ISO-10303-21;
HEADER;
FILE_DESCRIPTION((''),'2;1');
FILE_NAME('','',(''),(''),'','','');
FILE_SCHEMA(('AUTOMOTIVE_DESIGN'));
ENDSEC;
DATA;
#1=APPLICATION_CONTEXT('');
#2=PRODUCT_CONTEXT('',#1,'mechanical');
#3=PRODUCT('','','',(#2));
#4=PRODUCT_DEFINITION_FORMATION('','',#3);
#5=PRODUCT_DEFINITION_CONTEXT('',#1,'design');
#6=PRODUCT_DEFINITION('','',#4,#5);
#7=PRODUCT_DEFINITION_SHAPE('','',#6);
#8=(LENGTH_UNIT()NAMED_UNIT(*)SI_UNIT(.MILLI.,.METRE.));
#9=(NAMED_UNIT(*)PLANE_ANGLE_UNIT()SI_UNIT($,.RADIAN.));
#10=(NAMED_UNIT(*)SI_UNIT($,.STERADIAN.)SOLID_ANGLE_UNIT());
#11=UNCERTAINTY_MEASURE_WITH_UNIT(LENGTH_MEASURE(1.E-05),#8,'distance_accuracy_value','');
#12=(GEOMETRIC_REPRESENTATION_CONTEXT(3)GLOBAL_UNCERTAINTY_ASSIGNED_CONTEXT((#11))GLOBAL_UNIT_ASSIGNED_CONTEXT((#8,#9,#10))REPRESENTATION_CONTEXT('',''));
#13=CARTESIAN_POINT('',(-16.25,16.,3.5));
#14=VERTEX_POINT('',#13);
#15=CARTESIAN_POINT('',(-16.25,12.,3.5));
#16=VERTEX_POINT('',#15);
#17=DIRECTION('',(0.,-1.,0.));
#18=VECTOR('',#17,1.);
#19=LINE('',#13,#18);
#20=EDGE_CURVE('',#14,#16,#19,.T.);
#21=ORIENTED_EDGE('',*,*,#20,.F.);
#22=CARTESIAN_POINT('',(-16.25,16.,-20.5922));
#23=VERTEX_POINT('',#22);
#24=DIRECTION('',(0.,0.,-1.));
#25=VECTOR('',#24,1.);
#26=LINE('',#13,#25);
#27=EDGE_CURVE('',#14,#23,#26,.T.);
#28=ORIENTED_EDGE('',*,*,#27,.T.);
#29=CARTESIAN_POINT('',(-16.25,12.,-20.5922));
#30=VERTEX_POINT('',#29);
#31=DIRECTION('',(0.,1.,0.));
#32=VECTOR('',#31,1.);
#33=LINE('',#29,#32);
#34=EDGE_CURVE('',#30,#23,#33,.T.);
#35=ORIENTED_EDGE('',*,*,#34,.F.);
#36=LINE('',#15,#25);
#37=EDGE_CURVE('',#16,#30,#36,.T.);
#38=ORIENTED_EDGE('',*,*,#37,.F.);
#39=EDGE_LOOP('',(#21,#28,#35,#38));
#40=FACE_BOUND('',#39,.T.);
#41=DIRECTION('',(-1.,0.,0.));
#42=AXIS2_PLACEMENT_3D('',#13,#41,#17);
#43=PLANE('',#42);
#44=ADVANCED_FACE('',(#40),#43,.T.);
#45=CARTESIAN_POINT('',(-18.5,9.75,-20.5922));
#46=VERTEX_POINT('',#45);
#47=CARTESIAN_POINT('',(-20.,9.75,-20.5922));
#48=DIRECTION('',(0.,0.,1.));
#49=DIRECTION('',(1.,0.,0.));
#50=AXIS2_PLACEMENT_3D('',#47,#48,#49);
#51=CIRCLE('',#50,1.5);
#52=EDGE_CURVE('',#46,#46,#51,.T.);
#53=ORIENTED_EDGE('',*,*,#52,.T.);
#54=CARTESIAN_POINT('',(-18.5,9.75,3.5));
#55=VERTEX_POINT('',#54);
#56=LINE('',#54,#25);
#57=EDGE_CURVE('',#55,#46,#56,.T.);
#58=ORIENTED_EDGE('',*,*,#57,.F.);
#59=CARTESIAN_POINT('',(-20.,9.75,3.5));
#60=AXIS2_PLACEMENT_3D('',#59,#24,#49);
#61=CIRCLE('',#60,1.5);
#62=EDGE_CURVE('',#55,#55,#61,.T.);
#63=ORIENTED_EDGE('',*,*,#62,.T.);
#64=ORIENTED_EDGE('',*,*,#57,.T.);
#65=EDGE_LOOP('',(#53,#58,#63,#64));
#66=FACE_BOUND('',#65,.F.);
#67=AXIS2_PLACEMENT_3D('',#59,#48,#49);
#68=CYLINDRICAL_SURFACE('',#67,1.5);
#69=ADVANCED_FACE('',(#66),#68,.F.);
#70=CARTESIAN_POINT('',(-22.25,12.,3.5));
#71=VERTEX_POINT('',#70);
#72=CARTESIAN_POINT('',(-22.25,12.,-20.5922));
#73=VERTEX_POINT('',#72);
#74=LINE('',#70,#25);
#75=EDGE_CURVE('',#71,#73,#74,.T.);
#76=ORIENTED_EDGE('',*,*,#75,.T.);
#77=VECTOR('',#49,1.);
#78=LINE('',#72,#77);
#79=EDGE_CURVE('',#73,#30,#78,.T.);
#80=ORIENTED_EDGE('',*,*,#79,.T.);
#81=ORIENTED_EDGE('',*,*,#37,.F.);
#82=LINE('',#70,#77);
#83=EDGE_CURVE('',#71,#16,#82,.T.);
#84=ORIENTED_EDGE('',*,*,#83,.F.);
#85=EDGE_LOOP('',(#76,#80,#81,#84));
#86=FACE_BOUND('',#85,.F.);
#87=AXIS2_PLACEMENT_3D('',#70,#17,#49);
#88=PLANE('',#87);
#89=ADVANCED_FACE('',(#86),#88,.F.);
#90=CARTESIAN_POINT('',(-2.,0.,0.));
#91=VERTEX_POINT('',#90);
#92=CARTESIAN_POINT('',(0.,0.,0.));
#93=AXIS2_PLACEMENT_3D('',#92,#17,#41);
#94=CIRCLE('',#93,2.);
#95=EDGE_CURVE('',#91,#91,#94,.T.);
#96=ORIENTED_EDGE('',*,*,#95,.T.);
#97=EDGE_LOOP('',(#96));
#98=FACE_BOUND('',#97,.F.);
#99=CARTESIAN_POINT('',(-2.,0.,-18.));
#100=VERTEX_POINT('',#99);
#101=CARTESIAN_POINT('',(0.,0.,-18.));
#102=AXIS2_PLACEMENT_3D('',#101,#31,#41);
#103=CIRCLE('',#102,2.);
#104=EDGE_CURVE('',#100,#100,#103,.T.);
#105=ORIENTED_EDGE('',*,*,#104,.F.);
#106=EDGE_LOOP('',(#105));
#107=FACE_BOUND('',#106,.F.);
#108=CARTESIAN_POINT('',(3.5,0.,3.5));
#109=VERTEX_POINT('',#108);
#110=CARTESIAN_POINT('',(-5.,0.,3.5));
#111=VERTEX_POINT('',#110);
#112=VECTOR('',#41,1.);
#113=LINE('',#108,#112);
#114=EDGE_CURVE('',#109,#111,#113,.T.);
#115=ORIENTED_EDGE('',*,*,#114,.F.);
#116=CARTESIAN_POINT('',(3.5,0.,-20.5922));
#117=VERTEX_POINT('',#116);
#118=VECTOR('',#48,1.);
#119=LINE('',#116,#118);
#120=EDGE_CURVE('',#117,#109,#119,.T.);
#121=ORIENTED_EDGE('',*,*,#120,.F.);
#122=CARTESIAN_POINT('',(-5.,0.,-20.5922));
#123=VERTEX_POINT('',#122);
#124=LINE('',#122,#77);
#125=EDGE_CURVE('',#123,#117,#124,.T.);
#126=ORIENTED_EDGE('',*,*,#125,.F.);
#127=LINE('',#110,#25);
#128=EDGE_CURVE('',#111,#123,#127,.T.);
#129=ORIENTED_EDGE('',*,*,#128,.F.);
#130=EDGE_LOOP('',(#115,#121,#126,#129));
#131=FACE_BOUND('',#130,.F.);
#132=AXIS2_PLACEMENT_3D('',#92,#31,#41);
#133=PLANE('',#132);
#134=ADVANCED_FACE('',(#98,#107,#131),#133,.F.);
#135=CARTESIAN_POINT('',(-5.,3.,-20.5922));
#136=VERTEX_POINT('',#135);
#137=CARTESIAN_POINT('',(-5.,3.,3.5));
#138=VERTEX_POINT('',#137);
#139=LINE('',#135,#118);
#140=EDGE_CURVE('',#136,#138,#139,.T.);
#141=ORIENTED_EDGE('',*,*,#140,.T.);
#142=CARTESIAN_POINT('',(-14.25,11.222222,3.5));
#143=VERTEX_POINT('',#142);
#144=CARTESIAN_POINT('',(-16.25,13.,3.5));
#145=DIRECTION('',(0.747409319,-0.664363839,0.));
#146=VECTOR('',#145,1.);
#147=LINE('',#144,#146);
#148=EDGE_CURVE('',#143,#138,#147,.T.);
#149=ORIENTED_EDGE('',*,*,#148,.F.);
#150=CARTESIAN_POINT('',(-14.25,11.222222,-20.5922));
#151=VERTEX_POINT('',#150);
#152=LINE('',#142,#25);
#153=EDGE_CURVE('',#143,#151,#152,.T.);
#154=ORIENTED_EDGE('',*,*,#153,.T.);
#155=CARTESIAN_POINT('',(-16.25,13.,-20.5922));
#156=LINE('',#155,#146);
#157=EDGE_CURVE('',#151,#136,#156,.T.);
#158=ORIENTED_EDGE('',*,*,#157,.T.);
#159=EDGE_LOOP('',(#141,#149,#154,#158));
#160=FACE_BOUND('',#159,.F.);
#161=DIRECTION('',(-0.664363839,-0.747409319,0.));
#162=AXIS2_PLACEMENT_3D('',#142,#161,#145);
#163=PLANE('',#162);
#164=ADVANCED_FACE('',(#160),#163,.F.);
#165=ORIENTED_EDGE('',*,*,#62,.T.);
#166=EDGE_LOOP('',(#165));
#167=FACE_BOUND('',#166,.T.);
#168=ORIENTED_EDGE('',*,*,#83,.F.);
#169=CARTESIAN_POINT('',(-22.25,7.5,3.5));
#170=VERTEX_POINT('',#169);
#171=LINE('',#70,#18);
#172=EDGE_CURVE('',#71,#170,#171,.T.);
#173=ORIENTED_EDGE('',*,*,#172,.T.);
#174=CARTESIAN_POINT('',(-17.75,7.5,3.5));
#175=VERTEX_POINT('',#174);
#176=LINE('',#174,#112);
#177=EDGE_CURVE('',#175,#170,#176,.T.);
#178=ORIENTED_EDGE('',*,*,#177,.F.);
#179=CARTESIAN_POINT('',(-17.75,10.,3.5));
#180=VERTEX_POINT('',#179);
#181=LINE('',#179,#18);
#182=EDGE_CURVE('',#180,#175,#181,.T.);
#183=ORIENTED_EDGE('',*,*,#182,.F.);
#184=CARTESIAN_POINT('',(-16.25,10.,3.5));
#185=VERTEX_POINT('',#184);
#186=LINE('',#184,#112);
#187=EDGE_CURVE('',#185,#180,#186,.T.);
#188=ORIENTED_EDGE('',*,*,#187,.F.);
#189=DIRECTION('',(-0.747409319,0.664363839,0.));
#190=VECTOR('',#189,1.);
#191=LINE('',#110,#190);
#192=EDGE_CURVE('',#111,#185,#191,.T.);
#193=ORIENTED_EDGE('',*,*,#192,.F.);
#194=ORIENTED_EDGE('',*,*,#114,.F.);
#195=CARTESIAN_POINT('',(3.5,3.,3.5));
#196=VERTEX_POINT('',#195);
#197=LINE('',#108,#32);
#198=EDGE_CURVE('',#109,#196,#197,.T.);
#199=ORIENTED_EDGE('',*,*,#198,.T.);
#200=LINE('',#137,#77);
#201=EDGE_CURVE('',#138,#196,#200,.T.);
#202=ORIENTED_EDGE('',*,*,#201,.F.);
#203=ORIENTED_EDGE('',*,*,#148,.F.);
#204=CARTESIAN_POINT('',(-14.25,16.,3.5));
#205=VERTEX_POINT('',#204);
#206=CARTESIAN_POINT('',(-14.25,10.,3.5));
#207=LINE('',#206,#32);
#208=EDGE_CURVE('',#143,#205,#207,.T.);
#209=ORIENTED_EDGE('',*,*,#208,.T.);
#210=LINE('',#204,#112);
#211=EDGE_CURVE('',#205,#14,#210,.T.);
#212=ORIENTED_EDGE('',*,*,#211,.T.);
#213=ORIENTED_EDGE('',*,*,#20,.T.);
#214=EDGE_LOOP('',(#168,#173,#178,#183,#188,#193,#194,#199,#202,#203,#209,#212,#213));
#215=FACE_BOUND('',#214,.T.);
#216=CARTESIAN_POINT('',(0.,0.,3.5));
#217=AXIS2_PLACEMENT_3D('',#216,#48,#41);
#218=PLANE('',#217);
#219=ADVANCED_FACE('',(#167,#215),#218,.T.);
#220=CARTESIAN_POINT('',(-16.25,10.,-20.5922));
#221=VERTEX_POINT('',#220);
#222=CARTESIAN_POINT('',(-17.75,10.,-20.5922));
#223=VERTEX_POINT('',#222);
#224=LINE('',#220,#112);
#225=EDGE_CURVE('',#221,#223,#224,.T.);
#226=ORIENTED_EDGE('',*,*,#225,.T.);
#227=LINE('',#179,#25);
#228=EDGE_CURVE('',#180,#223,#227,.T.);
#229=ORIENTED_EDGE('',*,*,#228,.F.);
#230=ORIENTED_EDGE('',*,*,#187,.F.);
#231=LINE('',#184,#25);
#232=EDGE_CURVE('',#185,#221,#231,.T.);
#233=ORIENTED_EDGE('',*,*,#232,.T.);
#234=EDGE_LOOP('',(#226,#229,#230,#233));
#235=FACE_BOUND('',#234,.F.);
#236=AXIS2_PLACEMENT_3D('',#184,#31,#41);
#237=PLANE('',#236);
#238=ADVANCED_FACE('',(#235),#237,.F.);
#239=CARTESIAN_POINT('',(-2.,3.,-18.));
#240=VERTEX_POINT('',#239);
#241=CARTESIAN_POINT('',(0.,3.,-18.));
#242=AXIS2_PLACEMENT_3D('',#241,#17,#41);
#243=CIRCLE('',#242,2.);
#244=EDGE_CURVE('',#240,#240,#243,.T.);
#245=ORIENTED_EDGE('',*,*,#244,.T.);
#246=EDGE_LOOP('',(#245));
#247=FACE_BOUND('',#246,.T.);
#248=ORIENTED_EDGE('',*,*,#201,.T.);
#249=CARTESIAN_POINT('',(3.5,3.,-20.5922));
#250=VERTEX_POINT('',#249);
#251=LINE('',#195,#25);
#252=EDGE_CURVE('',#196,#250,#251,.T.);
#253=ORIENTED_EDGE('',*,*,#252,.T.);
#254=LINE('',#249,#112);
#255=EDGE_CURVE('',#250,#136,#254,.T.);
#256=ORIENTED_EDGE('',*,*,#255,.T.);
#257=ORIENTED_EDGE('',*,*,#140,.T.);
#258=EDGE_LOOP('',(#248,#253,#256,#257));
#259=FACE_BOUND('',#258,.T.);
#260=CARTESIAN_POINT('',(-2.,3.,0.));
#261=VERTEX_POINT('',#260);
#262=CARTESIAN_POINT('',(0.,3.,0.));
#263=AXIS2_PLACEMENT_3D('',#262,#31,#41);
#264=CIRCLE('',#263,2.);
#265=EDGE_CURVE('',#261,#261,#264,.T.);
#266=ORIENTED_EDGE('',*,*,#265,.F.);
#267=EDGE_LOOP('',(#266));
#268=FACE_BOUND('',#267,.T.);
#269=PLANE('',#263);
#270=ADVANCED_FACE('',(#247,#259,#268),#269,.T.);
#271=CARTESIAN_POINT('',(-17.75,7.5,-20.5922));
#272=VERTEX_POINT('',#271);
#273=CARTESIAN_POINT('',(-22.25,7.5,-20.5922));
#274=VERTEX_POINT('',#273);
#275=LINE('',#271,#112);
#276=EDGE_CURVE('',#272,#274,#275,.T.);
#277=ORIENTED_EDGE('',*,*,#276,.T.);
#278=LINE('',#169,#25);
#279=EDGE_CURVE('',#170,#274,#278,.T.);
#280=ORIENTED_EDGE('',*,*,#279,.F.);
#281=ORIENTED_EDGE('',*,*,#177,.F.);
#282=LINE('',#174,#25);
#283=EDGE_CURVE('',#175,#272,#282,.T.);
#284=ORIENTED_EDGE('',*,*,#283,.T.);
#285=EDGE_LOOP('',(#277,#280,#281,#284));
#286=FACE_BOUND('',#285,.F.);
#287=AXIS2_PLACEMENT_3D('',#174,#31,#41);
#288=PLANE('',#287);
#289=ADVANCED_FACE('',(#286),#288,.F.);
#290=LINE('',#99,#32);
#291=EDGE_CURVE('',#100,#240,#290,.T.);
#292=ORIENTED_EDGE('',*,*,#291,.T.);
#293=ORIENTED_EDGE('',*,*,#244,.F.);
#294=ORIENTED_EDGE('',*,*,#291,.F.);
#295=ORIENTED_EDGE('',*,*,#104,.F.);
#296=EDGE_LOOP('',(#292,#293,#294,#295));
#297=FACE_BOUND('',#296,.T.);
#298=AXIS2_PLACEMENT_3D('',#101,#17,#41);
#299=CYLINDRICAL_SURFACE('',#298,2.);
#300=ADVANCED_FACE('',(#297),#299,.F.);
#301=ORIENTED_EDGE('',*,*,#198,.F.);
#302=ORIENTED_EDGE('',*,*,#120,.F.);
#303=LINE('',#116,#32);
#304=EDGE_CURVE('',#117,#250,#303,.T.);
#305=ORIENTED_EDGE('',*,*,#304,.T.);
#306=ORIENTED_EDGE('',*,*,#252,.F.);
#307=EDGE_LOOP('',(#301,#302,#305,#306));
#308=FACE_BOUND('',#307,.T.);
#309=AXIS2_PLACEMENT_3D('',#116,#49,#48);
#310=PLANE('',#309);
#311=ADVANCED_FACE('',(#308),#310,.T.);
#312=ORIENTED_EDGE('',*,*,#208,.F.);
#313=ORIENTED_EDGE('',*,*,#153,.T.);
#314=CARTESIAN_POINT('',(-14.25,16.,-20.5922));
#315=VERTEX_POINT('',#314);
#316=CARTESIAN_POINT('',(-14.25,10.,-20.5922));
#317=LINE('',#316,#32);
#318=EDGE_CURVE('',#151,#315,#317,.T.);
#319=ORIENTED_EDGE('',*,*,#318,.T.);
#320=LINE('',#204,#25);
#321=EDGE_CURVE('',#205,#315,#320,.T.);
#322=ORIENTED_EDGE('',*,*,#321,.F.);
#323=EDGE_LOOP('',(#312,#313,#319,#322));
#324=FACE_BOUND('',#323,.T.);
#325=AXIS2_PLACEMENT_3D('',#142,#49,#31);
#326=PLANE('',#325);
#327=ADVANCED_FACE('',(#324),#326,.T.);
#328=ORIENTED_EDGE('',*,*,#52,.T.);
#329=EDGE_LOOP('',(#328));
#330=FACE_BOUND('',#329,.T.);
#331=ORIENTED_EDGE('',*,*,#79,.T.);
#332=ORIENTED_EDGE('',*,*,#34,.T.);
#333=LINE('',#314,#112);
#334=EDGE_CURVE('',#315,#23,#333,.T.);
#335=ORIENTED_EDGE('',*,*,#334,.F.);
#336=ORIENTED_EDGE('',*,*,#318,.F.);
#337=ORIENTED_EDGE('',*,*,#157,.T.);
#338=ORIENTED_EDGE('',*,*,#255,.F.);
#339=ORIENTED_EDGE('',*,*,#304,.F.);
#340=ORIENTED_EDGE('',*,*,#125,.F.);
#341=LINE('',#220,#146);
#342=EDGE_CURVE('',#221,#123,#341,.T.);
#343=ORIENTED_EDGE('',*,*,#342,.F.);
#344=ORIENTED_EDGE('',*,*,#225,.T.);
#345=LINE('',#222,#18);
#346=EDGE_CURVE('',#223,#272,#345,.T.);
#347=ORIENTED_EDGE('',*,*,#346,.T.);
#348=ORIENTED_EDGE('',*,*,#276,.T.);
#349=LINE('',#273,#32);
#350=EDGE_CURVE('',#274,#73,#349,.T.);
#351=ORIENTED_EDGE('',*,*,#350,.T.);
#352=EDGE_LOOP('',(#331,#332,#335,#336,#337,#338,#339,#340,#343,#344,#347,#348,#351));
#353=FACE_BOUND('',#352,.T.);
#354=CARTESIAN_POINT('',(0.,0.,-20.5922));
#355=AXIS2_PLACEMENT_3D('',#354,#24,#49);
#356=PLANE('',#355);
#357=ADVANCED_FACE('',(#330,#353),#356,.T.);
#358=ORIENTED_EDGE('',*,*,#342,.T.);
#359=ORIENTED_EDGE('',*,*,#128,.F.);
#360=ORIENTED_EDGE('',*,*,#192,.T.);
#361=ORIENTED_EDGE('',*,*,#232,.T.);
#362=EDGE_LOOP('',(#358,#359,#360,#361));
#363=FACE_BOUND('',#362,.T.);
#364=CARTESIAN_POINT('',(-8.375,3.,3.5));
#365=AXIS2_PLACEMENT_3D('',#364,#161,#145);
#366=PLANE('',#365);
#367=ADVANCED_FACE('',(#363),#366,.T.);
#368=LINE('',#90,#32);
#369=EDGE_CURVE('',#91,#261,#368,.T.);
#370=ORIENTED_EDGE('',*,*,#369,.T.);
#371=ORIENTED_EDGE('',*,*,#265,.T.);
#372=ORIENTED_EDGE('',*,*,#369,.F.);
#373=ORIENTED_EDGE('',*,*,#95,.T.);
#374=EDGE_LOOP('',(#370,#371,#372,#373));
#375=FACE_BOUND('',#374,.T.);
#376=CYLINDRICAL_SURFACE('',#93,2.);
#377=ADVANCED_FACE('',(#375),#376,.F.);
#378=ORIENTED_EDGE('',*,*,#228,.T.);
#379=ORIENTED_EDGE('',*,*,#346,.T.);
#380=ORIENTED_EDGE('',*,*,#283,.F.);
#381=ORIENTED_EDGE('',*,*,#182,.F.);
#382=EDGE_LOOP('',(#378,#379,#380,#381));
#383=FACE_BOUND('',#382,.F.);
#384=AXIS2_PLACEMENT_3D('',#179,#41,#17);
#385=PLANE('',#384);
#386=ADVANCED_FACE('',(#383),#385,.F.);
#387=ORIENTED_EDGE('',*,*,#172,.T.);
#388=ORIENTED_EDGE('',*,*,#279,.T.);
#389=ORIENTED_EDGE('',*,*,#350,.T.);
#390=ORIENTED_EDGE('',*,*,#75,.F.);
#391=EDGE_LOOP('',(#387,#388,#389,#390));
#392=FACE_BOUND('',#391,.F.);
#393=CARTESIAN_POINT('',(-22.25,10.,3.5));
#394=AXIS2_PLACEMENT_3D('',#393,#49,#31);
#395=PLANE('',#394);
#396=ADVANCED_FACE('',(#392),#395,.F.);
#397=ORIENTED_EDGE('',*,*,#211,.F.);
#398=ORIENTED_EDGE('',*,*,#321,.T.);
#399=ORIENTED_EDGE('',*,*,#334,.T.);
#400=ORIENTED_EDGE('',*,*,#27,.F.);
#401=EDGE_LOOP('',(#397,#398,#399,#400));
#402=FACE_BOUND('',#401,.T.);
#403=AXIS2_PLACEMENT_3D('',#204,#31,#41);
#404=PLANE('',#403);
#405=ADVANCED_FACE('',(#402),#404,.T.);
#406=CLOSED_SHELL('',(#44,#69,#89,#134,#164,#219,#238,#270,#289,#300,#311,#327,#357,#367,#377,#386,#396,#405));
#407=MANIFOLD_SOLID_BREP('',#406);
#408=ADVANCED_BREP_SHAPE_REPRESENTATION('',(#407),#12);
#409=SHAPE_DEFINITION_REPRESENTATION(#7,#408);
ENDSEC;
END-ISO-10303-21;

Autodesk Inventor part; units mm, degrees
ref_plane "YZ Plane" through (0, 0, 0) normal (1, 0, 0) x (0, 1, 0)
ref_plane "XZ Plane" through (0, 0, 0) normal (0, 1, 0) x (-1, 0, 0)
ref_plane "XY Plane" through (0, 0, 0) normal (0, 0, 1) x (1, 0, 0)
sketch "Sketch1" plane through (0, 0, 0) normal (0, 1, 0) x (-1, 0, 0)
  line L0 (0, 0) -> (0, -18)
  circle A0 centre (0, 0) radius 2
  circle A1 centre (0, -18) radius 2
  line L1 (0, -18) -> (5, -18)
  line L2 (5, -18) -> (5, -20.5922)
  line L3 (5, -20.5922) -> (0, -20.5922)
  line L4 (0, -20.5922) -> (0, -18)
  line L5 (0, 0) -> (-3.5, 0)
  line L6 (-3.5, 0) -> (-3.5, 3.5)
  line L7 (-3.5, 3.5) -> (0, 3.5)
  line L8 (0, 3.5) -> (0, 0)
  line L9 (-3.5, 3.5) -> (5, 3.5)
  line L10 (5, 3.5) -> (5, -20.5922)
  line L11 (5, -20.5922) -> (-3.5, -20.5922)
  line L12 (-3.5, -20.5922) -> (-3.5, 3.5)
  dimension "d0" = 18
  dimension "d1" = 4
  dimension "d2" = 4
  dimension "d3" = 5
  dimension "d4" = 3.5
  dimension "d5" = 3.5
extrude "Extrusion1" add sketch "Sketch1" along normal blind 3 contours A0 L8 L9 L10 L1 A1 L0 | L0 A1 L4 L11 L12 L5 A0 | L5 L6 L7 L8 A0 | L1 L2 L3 L4 A1
sketch "Sketch2" plane through (-5, 0, 3.5) normal (0, 0, 1) x (1, 0, 0)
  line L0 (0, 3) -> (4.25, 3)
  line L1 (0, 3) -> (8.5, 3) projected
  line L2 (4.25, 3) -> (-96.75, 3)
  line L3 (-46.25, 3) -> (-11.25, 3)
  line L4 (-11.25, 3) -> (-11.25, 13)
  line L5 (-11.25, 13) -> (0, 3)
  line L6 (-11.25, 13) -> (-11.25, 10)
  line L7 (0, 0) -> (0, 3) projected
  line L8 (-11.25, 10) -> (0, 0)
  line L9 (-11.25, 10) -> (-17.25, 10)
  line L10 (-17.25, 10) -> (-17.25, 12)
  line L11 (-17.25, 12) -> (-11.25, 12)
  line L12 (-11.25, 12) -> (-11.25, 10)
  line L13 (-11.25, 10) -> (-9.25, 10)
  line L14 (-9.25, 10) -> (-9.25, 16)
  line L15 (-9.25, 16) -> (-11.25, 16)
  line L16 (-11.25, 16) -> (-11.25, 10)
  line L17 (-17.25, 10) -> (-12.75, 10)
  line L18 (-12.75, 10) -> (-12.75, 7.5)
  line L19 (-12.75, 7.5) -> (-17.25, 7.5)
  line L20 (-17.25, 7.5) -> (-17.25, 10)
  line L21 (-15, 10) -> (-15, 9.75)
  circle A0 centre (-15, 9.75) radius 1.5
  point P0 (5, 0)
  point P1 (-11.25, 12)
  point P2 (-11.25, 13)
  point P3 (-9.25, 11.2222)
  dimension "d8" = 101
  dimension "d9" = 35
  dimension "d10" = 10
  dimension "d11" = 3
  dimension "d12" = 6
  dimension "d13" = 2
  dimension "d17" = 2
  dimension "d18" = 6
  dimension "d25" = 4.5
  dimension "d26" = 2.5
  dimension "d27" = 0.25
  dimension "d28" = 3
extrude "Extrusion2" add sketch "Sketch2" against normal up to surface (24.0922 mm away) contours L7 L8 L2 | L2 L8 L13 L14 L5 | L14 L13 L4 L5 | L5 L16 L15 L14 | L9 A0 L10 L11 L4 | L18 L19 L20 L9 A0
properties part number "suport3_pcb_temp"
